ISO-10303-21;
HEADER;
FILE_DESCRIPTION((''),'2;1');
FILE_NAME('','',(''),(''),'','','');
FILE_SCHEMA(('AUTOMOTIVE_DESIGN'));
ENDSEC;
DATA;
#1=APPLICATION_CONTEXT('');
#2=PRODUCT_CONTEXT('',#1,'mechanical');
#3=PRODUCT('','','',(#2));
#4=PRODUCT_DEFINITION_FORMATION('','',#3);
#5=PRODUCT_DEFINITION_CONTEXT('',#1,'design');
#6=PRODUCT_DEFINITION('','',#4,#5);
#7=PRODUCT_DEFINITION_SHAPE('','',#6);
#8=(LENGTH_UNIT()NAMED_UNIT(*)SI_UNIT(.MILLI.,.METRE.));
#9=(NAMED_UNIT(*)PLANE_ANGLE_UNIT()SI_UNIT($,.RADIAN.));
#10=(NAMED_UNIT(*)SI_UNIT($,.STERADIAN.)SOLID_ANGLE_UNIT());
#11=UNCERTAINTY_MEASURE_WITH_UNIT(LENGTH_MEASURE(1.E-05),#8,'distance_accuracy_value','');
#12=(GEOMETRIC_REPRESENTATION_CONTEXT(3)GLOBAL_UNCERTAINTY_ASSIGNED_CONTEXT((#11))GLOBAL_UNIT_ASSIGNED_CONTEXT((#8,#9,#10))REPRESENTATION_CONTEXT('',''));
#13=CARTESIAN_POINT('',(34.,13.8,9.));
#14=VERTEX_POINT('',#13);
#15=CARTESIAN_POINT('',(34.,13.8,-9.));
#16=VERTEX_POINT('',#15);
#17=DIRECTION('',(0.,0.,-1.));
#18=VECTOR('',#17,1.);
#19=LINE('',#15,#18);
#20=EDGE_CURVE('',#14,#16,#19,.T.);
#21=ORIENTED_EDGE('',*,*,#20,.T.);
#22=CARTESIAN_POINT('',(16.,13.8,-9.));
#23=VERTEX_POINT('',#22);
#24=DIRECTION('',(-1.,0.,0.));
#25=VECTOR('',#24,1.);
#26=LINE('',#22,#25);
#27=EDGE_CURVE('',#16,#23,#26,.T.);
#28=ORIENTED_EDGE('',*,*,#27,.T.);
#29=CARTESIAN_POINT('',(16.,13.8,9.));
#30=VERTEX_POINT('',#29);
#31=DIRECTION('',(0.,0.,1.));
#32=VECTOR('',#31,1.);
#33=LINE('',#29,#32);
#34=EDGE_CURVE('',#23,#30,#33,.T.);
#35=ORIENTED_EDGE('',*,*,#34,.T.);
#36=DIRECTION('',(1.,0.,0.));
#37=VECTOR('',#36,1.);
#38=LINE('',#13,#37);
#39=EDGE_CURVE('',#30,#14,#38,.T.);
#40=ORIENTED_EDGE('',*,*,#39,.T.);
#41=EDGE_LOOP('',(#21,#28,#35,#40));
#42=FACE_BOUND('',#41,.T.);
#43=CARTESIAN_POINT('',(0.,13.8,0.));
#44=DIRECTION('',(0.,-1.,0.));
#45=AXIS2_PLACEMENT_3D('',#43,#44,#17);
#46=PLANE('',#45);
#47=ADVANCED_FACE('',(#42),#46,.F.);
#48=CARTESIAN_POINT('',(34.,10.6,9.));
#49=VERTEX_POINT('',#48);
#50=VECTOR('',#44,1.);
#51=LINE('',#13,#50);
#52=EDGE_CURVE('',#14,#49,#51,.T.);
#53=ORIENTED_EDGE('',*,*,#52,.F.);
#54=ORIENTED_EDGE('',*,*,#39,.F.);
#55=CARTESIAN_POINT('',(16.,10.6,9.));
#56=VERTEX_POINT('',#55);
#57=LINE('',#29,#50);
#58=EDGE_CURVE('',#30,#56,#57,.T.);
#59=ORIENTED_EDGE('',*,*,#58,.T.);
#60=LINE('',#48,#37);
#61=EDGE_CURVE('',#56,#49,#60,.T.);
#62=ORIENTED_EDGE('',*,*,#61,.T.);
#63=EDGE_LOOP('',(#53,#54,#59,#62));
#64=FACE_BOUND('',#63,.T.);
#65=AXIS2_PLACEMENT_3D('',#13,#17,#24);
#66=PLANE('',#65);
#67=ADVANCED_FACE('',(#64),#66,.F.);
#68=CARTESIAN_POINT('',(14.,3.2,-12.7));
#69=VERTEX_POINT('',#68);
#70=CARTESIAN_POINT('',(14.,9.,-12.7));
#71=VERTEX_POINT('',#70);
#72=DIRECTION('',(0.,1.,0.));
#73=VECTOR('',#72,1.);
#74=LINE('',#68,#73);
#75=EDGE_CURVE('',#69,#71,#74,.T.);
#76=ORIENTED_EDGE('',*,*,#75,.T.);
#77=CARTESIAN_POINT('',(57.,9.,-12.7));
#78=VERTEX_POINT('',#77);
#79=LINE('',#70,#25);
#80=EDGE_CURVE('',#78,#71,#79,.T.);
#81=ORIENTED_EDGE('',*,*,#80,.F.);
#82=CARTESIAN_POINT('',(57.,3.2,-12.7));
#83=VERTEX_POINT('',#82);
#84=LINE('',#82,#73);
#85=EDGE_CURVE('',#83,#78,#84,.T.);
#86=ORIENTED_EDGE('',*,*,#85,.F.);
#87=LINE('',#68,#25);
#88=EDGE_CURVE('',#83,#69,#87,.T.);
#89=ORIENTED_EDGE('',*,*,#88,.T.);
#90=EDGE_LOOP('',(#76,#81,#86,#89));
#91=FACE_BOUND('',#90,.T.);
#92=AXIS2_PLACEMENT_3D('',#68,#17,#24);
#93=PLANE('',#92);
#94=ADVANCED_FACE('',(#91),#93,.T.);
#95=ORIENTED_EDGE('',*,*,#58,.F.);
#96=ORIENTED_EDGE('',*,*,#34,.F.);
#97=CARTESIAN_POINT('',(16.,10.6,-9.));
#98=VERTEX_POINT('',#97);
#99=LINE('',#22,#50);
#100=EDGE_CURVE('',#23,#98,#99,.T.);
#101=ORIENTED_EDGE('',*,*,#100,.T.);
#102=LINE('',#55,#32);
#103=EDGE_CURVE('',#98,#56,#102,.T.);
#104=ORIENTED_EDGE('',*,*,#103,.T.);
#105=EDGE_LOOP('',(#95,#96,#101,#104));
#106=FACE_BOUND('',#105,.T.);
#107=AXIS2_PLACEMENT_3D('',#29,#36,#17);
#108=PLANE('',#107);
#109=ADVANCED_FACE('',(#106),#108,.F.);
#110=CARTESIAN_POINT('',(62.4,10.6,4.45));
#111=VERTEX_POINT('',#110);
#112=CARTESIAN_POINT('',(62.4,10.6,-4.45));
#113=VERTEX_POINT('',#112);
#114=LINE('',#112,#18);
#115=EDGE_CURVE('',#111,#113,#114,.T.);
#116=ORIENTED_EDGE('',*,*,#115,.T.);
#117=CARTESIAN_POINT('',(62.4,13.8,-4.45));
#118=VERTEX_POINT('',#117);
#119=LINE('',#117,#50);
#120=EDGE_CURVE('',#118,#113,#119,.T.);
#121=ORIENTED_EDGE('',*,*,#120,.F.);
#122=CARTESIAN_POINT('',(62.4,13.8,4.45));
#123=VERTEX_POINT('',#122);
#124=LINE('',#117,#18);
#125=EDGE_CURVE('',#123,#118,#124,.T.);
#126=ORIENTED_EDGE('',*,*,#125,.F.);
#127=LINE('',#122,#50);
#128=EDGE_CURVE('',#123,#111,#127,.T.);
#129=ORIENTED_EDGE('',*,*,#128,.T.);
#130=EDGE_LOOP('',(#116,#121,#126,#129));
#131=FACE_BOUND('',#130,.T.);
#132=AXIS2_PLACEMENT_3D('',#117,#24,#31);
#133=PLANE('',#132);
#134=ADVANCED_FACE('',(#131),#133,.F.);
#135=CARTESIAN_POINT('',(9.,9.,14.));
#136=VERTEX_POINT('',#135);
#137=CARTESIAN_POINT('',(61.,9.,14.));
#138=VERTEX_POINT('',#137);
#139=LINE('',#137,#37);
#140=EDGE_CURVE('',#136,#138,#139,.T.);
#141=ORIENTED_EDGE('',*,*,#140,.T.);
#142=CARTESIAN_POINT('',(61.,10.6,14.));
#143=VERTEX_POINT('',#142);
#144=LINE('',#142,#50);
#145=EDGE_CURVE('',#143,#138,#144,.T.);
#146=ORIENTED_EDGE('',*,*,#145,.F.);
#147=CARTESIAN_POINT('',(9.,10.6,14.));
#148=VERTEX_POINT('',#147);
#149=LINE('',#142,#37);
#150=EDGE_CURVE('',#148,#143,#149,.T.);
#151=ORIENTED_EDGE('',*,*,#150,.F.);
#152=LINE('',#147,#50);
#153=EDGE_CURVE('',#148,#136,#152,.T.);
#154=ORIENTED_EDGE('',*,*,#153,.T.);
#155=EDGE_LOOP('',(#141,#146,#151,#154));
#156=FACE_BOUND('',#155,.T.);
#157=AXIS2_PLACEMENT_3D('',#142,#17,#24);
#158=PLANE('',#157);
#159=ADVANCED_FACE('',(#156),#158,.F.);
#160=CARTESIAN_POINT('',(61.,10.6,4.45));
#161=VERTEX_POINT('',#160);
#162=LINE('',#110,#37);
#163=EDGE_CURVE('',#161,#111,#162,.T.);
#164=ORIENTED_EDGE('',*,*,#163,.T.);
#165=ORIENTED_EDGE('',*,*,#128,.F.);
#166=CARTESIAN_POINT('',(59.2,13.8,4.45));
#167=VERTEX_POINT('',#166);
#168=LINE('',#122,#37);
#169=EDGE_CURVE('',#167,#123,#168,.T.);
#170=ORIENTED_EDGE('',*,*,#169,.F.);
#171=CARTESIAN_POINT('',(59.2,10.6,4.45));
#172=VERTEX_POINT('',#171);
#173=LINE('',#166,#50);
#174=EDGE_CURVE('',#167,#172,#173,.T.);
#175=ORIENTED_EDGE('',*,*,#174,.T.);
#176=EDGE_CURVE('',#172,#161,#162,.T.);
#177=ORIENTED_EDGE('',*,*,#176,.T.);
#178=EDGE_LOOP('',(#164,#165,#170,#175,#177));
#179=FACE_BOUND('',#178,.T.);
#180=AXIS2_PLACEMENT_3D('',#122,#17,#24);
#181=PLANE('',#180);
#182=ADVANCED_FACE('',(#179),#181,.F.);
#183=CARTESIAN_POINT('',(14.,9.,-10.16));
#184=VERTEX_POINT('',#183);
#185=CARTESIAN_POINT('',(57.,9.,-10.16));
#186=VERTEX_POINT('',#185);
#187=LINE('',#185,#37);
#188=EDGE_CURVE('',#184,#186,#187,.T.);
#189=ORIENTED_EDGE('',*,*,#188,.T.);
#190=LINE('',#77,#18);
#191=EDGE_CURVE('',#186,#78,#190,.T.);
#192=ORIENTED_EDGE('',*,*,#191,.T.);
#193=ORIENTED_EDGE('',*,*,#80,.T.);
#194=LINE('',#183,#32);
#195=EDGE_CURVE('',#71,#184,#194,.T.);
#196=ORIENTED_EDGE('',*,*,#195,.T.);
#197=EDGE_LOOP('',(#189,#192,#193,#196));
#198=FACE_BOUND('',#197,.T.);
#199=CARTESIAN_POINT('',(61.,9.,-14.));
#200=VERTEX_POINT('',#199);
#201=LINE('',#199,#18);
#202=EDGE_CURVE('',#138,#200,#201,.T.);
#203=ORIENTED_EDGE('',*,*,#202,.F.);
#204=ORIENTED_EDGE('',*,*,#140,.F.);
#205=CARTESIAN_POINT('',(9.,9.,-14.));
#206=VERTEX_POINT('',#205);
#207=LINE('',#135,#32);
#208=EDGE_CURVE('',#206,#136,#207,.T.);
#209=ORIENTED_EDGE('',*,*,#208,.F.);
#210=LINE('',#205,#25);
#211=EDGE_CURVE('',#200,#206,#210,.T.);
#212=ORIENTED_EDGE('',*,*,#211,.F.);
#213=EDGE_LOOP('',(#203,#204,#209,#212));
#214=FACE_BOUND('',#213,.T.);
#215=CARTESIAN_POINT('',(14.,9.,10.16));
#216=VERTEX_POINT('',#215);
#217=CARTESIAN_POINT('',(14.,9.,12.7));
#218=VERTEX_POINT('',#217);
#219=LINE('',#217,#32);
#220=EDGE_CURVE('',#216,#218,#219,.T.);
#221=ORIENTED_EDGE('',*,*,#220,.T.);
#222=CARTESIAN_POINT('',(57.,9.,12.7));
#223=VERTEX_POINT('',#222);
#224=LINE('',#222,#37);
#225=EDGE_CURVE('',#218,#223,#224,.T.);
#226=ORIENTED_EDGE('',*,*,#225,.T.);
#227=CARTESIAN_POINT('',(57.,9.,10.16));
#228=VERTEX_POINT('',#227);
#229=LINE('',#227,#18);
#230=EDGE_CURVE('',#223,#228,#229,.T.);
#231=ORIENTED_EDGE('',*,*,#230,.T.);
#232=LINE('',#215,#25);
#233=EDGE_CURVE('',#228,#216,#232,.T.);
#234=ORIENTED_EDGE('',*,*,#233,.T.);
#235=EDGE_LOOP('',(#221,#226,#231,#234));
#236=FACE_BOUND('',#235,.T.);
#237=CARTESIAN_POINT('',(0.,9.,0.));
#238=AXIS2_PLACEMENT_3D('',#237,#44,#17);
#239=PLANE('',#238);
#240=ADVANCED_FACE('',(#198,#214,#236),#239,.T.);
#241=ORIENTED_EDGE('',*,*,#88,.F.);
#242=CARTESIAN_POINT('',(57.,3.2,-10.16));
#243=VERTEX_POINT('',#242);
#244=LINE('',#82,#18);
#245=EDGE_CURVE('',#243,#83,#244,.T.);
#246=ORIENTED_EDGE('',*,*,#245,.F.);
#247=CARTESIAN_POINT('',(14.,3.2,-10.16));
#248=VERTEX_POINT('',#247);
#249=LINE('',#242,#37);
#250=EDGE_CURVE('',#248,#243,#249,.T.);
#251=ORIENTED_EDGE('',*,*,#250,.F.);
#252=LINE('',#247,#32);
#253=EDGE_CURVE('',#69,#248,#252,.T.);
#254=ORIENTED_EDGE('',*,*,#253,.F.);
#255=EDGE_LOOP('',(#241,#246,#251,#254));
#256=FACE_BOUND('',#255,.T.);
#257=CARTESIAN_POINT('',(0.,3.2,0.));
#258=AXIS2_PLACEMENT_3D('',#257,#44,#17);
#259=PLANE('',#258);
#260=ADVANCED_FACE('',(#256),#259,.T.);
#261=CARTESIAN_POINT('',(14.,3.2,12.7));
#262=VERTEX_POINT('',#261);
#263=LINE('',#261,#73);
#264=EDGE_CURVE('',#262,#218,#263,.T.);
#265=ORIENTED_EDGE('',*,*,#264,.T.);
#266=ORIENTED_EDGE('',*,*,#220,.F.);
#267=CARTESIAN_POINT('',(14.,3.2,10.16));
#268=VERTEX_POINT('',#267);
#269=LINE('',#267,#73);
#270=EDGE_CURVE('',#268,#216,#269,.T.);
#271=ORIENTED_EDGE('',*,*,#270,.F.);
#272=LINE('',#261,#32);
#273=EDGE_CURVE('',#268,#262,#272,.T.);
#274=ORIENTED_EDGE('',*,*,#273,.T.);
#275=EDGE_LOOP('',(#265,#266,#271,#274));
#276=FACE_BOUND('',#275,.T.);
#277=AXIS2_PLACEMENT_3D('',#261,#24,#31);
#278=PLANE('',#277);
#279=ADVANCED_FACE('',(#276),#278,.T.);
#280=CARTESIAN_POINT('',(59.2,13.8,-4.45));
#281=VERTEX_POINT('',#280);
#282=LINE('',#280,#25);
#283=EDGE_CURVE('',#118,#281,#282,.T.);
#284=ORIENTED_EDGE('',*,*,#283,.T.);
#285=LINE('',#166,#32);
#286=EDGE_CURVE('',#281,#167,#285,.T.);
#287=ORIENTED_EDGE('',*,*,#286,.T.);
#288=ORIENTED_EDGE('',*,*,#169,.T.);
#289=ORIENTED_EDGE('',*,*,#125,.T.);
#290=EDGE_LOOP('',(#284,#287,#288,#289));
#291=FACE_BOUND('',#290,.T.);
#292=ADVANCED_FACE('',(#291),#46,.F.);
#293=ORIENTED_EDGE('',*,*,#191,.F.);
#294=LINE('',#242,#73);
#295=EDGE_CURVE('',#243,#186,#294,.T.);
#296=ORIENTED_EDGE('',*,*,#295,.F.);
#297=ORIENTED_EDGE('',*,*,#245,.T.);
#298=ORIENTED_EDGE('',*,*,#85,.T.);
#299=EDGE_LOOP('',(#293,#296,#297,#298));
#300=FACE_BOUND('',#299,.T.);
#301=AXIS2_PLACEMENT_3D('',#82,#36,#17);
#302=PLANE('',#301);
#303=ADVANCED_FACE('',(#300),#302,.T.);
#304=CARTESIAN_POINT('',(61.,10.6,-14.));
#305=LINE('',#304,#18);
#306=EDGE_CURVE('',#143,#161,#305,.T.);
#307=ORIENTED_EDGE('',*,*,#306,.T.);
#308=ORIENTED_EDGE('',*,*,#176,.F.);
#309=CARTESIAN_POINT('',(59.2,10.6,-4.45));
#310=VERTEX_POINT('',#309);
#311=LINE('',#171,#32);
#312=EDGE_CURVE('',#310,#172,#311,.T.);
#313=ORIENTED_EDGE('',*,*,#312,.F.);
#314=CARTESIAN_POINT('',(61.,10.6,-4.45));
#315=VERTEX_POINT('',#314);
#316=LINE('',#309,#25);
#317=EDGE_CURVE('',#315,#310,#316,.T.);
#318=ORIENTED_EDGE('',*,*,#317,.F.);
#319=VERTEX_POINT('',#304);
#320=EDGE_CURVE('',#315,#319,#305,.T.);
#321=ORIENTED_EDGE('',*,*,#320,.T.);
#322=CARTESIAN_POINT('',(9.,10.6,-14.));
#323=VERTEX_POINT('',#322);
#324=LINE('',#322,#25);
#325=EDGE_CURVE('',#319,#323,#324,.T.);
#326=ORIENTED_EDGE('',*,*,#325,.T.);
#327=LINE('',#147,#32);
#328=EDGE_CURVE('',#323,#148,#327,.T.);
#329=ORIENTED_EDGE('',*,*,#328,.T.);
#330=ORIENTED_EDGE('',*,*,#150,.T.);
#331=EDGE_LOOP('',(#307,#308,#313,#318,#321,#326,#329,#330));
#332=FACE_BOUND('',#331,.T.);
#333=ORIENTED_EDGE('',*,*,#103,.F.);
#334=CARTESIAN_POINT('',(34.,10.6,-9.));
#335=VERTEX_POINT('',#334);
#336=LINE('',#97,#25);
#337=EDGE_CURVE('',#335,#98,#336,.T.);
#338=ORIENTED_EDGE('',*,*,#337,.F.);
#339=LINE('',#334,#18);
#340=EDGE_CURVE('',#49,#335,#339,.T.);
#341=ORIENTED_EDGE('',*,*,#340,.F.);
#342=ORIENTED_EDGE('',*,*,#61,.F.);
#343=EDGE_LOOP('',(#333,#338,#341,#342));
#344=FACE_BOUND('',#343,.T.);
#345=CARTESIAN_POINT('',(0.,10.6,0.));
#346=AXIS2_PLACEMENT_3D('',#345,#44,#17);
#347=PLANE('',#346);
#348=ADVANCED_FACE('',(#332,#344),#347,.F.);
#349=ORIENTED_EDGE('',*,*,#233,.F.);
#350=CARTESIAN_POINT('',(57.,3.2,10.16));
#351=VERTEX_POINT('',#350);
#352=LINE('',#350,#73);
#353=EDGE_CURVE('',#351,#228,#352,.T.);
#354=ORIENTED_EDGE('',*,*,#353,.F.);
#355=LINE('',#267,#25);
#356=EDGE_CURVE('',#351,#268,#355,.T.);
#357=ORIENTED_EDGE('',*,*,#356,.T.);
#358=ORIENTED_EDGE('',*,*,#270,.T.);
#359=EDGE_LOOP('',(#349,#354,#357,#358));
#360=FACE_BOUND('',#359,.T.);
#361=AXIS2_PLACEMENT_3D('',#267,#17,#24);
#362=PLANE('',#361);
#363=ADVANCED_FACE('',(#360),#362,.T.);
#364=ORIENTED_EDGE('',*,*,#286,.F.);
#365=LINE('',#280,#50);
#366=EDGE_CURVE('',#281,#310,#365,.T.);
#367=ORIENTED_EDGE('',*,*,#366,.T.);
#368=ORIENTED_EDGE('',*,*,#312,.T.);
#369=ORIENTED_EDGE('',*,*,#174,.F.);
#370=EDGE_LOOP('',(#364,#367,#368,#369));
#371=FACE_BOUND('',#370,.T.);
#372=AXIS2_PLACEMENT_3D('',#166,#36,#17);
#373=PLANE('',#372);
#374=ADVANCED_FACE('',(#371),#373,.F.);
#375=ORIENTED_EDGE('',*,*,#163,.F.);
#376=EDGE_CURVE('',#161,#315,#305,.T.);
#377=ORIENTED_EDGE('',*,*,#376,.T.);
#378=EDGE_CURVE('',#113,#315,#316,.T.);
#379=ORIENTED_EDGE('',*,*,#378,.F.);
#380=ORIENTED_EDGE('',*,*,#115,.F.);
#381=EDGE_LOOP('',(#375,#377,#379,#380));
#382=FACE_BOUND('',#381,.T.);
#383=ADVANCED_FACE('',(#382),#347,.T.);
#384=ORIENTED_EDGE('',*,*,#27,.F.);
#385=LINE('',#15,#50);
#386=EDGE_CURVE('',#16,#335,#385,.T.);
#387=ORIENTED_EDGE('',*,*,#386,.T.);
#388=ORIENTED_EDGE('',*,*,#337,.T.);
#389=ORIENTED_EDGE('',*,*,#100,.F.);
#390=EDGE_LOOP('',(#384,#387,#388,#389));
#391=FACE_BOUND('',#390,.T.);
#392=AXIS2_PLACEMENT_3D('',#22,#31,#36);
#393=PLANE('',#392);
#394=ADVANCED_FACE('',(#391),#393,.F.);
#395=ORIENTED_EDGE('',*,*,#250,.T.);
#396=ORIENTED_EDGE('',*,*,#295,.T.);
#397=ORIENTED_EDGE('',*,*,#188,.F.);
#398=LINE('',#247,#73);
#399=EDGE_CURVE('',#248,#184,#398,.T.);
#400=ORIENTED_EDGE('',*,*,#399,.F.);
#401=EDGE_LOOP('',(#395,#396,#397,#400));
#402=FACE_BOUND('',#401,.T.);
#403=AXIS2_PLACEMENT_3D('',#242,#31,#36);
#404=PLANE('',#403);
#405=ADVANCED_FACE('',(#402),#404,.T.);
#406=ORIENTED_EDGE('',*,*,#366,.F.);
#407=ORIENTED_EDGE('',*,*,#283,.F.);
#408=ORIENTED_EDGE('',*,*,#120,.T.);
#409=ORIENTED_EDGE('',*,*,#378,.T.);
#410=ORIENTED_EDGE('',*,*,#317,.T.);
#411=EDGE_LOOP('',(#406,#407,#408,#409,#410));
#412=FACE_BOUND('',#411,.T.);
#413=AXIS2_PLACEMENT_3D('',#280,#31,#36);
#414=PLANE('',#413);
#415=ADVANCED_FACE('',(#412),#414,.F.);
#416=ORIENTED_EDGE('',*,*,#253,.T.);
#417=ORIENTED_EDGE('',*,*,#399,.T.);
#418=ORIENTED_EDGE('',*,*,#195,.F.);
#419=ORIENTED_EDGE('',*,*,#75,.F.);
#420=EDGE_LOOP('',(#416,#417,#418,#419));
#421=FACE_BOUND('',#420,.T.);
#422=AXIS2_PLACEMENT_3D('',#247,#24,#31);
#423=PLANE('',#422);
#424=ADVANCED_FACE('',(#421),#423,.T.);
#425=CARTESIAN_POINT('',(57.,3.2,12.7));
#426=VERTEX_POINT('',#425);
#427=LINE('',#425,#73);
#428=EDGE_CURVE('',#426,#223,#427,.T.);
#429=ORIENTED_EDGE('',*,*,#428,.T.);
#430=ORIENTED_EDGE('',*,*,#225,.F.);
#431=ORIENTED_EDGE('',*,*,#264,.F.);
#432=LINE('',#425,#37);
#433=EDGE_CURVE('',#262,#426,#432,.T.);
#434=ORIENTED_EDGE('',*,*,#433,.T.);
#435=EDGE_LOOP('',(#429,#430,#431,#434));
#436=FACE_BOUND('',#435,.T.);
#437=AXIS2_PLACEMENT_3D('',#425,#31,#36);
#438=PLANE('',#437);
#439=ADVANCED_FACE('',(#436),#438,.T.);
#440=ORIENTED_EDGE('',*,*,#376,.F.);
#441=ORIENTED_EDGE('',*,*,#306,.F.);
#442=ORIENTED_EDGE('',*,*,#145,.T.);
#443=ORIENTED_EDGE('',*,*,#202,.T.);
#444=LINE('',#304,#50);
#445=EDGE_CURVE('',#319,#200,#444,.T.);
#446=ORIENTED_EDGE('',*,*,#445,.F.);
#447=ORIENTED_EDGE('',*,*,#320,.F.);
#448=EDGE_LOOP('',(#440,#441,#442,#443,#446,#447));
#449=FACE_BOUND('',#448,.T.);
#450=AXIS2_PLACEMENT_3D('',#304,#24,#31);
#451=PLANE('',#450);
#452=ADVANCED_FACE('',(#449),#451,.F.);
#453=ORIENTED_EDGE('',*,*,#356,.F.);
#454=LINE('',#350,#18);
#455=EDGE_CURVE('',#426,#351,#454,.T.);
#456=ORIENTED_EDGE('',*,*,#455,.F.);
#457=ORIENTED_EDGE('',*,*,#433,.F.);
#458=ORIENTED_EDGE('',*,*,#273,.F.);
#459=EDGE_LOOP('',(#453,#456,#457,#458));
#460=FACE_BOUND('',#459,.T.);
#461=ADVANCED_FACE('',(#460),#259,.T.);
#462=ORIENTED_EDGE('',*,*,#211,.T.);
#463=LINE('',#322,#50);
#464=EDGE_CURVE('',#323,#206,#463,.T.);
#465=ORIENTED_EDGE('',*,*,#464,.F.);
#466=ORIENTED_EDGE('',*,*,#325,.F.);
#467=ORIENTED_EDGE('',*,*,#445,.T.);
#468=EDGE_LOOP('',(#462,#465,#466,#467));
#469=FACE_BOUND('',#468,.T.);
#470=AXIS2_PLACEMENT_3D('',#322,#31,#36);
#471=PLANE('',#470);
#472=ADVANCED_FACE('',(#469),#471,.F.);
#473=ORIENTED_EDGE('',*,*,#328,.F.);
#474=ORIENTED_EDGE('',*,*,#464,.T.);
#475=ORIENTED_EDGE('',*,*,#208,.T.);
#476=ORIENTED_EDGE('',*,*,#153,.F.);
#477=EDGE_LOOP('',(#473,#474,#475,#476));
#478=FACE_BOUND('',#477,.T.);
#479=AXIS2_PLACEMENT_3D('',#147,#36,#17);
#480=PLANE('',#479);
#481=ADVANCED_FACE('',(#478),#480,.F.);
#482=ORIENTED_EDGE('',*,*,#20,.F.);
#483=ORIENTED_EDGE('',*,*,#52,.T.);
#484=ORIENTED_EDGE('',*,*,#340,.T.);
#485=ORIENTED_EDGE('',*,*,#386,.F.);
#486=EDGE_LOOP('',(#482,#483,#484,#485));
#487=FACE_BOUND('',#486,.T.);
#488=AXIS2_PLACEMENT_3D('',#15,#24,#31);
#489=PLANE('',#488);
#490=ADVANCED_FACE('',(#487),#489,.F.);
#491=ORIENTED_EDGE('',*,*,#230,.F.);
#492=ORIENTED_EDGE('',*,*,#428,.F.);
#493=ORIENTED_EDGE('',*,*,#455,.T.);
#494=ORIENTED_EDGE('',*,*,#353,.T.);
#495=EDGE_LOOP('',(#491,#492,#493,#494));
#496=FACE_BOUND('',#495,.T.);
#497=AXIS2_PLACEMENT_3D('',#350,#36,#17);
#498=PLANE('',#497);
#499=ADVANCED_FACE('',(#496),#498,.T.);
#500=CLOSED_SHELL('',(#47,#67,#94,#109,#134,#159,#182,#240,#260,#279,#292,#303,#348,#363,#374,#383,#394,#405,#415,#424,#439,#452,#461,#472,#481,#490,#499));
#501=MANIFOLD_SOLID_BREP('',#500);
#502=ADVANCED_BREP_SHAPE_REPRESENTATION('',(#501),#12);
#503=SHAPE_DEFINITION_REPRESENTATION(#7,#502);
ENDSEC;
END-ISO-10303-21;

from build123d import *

# Parameters (mm, degrees)
SKETCH1_W           = 52
SKETCH1_H           = 28
BOSS_EXTRUDE1_DEPTH = 1.6
SKETCH2_W           = 18
SKETCH2_H           = 18
BOSS_EXTRUDE2_DEPTH = 3.2
SKETCH3_W           = 3.2
SKETCH3_H           = 8.9
BOSS_EXTRUDE3_DEPTH = 3.2
SKETCH4_W           = 43
SKETCH4_H           = 2.54
BOSS_EXTRUDE4_DEPTH = 5.8


with BuildPart() as part:
    # Sketch1 → Boss-Extrude1 (new body)
    with BuildSketch(Plane(origin=(0, 9, 0), x_dir=(1, 0, 0), z_dir=(0, 1, 0))):
        with Locations((35, 0)):
            Rectangle(SKETCH1_W, SKETCH1_H)
    extrude(amount=BOSS_EXTRUDE1_DEPTH)

    # Sketch2 → Boss-Extrude2 (add)
    with BuildSketch(Plane(origin=(0, 10.6, 0), x_dir=(1, 0, 0), z_dir=(0, 1, 0))):
        with Locations((25, 0)):
            Rectangle(SKETCH2_W, SKETCH2_H)
    extrude(amount=BOSS_EXTRUDE2_DEPTH)

    # Sketch3 → Boss-Extrude3 (add)
    with BuildSketch(Plane(origin=(0, 10.6, 0), x_dir=(1, 0, 0), z_dir=(0, 1, 0))):
        with Locations((60.8, 0)):
            Rectangle(SKETCH3_W, SKETCH3_H)
    extrude(amount=BOSS_EXTRUDE3_DEPTH)

    # Sketch4 → Boss-Extrude4 (add)
    with BuildSketch(Plane(origin=(0, 9, 0), x_dir=(1, 0, 0), z_dir=(0, 1, 0))):
        with Locations((35.5, 11.43)):
            Rectangle(SKETCH4_W, SKETCH4_H)
        with Locations((35.5, -11.43)):
            Rectangle(SKETCH4_W, SKETCH4_H)
    extrude(amount=-BOSS_EXTRUDE4_DEPTH)


solid = part.part
